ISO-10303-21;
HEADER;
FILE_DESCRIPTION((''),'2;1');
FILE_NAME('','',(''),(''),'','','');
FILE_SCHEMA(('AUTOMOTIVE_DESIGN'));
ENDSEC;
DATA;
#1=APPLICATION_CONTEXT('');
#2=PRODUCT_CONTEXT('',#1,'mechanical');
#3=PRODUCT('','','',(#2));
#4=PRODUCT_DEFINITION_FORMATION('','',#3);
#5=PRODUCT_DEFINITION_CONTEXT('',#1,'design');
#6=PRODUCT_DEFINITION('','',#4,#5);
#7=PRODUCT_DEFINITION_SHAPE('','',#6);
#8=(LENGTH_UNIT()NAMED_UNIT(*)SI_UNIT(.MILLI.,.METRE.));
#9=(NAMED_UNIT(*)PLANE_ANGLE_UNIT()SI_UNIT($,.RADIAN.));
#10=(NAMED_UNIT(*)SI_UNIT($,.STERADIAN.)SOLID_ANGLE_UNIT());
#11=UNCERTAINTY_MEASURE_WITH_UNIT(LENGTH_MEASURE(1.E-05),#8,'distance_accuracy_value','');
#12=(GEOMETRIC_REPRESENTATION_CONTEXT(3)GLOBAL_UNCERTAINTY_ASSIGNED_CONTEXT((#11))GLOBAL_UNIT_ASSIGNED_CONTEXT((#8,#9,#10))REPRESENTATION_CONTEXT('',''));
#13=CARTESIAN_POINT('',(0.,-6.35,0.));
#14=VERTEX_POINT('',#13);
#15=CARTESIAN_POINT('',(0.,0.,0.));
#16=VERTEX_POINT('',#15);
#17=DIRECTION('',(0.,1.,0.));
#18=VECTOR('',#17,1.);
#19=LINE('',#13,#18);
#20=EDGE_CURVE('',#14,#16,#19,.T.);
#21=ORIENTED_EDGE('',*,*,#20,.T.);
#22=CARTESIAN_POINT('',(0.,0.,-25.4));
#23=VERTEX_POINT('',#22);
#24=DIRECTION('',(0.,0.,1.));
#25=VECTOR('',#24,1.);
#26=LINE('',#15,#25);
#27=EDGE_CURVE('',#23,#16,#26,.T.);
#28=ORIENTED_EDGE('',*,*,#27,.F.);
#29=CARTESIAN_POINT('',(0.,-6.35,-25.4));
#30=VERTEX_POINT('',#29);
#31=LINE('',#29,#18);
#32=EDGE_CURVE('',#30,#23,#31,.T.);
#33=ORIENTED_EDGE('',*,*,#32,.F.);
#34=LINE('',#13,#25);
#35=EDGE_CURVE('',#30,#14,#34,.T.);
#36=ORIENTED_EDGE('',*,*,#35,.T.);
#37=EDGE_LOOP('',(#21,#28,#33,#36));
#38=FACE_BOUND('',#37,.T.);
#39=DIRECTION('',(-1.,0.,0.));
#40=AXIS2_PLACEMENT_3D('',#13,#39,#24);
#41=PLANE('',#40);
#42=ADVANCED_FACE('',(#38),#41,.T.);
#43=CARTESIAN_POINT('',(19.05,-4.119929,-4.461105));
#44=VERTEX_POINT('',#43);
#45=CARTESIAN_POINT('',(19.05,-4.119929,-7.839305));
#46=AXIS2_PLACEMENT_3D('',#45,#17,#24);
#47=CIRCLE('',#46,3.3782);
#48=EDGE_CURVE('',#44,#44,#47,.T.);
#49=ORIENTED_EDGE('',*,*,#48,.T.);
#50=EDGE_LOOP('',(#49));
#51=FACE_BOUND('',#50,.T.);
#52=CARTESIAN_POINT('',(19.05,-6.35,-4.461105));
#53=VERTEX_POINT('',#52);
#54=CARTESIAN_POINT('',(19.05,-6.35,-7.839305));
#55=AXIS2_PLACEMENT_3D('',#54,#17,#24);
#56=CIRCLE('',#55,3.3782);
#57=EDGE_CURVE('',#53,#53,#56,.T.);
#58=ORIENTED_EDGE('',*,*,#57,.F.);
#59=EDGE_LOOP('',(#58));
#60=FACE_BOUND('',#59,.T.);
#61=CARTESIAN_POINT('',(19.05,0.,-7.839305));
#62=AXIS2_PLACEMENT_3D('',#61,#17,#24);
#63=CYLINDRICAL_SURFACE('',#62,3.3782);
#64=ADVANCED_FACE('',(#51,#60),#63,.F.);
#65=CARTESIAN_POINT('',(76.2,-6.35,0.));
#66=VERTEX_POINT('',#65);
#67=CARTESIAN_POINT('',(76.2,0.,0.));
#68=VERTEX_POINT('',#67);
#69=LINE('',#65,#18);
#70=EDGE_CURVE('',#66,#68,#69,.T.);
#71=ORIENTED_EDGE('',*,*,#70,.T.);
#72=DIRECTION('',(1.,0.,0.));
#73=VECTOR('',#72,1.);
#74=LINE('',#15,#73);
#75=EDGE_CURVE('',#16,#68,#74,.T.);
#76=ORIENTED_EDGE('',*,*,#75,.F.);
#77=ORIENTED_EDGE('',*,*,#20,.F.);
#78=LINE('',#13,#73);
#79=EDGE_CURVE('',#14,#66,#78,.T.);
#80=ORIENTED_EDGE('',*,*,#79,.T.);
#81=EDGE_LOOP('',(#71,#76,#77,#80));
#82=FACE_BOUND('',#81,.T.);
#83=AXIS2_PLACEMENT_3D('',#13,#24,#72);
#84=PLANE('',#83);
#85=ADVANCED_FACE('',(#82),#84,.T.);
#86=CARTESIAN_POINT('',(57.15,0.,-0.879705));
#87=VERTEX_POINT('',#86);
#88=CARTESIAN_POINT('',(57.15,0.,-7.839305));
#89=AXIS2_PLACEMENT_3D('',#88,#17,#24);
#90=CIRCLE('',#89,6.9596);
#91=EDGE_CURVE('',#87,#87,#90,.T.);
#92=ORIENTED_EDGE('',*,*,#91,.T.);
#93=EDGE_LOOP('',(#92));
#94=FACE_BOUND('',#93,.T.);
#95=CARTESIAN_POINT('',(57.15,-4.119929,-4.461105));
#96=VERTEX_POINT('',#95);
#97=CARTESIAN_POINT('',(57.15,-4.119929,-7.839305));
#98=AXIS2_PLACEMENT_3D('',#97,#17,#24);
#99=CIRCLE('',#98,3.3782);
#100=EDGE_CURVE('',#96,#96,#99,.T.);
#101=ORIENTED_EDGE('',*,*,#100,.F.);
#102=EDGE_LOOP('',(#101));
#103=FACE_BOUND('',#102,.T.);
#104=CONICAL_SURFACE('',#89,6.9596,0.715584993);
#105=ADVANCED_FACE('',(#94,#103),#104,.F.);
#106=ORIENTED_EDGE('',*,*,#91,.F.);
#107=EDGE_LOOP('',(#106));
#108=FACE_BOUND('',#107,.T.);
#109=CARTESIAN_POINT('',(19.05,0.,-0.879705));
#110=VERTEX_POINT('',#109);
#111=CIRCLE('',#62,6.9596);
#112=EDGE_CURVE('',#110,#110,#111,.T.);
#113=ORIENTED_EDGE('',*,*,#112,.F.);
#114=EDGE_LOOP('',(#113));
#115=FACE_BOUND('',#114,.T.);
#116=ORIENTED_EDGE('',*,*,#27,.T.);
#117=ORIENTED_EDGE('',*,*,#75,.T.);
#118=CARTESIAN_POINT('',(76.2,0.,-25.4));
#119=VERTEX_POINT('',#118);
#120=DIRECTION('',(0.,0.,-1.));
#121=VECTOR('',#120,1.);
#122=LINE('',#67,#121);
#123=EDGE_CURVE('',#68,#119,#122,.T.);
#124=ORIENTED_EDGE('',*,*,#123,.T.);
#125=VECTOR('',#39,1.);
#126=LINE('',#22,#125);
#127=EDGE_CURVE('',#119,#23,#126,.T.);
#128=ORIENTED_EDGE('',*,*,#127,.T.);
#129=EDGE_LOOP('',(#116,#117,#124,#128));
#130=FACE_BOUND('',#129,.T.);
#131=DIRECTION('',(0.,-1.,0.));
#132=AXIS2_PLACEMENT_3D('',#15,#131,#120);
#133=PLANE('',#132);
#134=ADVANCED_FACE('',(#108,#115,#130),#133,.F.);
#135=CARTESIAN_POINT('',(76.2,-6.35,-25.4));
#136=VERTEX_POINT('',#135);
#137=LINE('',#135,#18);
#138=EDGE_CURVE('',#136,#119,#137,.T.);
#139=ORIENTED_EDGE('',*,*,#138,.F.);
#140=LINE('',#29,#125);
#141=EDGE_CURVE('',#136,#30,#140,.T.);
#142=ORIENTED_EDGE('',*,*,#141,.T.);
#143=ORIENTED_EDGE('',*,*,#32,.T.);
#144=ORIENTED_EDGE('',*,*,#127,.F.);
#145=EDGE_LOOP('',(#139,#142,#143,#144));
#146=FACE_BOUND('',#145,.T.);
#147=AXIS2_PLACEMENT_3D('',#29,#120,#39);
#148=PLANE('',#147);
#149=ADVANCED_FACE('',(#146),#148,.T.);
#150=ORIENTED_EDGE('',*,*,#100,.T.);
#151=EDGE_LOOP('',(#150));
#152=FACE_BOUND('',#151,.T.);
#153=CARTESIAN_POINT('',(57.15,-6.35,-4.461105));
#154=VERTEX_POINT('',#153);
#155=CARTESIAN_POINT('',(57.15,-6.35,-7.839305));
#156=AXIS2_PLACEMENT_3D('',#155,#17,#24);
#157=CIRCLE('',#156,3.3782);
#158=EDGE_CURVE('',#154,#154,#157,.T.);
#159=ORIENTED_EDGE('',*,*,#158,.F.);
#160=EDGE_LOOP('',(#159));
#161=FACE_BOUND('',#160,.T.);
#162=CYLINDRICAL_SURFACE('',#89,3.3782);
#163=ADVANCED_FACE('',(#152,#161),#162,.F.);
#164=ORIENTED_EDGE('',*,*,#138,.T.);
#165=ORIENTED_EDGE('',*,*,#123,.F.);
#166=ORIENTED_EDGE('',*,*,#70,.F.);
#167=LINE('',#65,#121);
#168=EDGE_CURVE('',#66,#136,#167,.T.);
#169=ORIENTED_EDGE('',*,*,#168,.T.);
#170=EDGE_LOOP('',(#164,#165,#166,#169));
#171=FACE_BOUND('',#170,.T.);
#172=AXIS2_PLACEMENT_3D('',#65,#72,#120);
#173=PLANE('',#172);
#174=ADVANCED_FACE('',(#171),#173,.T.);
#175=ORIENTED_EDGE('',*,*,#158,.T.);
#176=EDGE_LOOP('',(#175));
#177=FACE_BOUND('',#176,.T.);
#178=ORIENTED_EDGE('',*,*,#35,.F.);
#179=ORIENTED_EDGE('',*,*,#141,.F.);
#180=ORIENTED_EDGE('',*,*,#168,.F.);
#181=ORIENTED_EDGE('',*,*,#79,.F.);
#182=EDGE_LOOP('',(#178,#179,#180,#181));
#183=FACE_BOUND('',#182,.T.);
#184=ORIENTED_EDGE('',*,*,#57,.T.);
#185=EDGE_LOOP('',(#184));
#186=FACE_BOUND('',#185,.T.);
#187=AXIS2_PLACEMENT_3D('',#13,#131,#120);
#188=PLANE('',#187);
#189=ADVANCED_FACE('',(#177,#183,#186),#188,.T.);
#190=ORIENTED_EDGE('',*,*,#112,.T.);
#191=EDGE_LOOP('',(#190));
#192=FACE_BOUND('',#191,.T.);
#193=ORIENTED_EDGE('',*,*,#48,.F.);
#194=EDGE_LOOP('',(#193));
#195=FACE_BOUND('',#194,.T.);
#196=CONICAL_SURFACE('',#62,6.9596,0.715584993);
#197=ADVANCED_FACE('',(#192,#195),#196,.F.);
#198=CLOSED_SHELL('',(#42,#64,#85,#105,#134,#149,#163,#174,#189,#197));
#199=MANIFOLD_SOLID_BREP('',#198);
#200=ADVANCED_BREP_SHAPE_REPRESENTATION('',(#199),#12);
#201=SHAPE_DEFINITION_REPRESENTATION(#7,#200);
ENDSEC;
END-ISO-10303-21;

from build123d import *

# Parameters (mm, degrees)
SKETCH1_W                                     = 76.2
SKETCH1_H                                     = 25.4
BOSS_EXTRUDE1_DEPTH                           = 6.35
CSK_FOR_1_4_FLAT_HEAD_MACHINE_SCREW1_AT_COUNT = 2
CSK_FOR_1_4_FLAT_HEAD_MACHINE_SCREW1_AT_PITCH = 38.1


with BuildPart() as part:
    # Sketch1 → Boss-Extrude1 (new body)
    with BuildSketch(Plane(origin=(0, 0, 0), x_dir=(1, 0, 0), z_dir=(0, 1, 0))):
        with Locations((38.1, 12.7)):
            Rectangle(SKETCH1_W, SKETCH1_H)
    extrude(amount=-BOSS_EXTRUDE1_DEPTH)

    # Sketch3 → CSK for 1/4 Flat Head Machine Screw1 (revolve, cut)
    with BuildSketch(Plane(origin=(19.05, 0, -7.839304919), x_dir=(0, 0, 1), z_dir=(1, 0, 0))):
        Polygon((0, 0), (0, 6.35), (3.3782, 6.35), (3.3782, 4.119929414), (6.9596, 0), align=None)
    csk_for_1_4_flat_head_machine_screw1 = revolve(axis=Axis((19.05, 6.35, -7.839304919), (0, -1, 0)), mode=Mode.SUBTRACT)

    # CSK for 1/4 Flat Head Machine Screw1 at: CSK for 1/4 Flat Head Machine Screw1 ×2
    with Locations(*[(i * CSK_FOR_1_4_FLAT_HEAD_MACHINE_SCREW1_AT_PITCH, 0, 0) for i in range(1, CSK_FOR_1_4_FLAT_HEAD_MACHINE_SCREW1_AT_COUNT)]):
        add(csk_for_1_4_flat_head_machine_screw1, mode=Mode.SUBTRACT)


solid = part.part
